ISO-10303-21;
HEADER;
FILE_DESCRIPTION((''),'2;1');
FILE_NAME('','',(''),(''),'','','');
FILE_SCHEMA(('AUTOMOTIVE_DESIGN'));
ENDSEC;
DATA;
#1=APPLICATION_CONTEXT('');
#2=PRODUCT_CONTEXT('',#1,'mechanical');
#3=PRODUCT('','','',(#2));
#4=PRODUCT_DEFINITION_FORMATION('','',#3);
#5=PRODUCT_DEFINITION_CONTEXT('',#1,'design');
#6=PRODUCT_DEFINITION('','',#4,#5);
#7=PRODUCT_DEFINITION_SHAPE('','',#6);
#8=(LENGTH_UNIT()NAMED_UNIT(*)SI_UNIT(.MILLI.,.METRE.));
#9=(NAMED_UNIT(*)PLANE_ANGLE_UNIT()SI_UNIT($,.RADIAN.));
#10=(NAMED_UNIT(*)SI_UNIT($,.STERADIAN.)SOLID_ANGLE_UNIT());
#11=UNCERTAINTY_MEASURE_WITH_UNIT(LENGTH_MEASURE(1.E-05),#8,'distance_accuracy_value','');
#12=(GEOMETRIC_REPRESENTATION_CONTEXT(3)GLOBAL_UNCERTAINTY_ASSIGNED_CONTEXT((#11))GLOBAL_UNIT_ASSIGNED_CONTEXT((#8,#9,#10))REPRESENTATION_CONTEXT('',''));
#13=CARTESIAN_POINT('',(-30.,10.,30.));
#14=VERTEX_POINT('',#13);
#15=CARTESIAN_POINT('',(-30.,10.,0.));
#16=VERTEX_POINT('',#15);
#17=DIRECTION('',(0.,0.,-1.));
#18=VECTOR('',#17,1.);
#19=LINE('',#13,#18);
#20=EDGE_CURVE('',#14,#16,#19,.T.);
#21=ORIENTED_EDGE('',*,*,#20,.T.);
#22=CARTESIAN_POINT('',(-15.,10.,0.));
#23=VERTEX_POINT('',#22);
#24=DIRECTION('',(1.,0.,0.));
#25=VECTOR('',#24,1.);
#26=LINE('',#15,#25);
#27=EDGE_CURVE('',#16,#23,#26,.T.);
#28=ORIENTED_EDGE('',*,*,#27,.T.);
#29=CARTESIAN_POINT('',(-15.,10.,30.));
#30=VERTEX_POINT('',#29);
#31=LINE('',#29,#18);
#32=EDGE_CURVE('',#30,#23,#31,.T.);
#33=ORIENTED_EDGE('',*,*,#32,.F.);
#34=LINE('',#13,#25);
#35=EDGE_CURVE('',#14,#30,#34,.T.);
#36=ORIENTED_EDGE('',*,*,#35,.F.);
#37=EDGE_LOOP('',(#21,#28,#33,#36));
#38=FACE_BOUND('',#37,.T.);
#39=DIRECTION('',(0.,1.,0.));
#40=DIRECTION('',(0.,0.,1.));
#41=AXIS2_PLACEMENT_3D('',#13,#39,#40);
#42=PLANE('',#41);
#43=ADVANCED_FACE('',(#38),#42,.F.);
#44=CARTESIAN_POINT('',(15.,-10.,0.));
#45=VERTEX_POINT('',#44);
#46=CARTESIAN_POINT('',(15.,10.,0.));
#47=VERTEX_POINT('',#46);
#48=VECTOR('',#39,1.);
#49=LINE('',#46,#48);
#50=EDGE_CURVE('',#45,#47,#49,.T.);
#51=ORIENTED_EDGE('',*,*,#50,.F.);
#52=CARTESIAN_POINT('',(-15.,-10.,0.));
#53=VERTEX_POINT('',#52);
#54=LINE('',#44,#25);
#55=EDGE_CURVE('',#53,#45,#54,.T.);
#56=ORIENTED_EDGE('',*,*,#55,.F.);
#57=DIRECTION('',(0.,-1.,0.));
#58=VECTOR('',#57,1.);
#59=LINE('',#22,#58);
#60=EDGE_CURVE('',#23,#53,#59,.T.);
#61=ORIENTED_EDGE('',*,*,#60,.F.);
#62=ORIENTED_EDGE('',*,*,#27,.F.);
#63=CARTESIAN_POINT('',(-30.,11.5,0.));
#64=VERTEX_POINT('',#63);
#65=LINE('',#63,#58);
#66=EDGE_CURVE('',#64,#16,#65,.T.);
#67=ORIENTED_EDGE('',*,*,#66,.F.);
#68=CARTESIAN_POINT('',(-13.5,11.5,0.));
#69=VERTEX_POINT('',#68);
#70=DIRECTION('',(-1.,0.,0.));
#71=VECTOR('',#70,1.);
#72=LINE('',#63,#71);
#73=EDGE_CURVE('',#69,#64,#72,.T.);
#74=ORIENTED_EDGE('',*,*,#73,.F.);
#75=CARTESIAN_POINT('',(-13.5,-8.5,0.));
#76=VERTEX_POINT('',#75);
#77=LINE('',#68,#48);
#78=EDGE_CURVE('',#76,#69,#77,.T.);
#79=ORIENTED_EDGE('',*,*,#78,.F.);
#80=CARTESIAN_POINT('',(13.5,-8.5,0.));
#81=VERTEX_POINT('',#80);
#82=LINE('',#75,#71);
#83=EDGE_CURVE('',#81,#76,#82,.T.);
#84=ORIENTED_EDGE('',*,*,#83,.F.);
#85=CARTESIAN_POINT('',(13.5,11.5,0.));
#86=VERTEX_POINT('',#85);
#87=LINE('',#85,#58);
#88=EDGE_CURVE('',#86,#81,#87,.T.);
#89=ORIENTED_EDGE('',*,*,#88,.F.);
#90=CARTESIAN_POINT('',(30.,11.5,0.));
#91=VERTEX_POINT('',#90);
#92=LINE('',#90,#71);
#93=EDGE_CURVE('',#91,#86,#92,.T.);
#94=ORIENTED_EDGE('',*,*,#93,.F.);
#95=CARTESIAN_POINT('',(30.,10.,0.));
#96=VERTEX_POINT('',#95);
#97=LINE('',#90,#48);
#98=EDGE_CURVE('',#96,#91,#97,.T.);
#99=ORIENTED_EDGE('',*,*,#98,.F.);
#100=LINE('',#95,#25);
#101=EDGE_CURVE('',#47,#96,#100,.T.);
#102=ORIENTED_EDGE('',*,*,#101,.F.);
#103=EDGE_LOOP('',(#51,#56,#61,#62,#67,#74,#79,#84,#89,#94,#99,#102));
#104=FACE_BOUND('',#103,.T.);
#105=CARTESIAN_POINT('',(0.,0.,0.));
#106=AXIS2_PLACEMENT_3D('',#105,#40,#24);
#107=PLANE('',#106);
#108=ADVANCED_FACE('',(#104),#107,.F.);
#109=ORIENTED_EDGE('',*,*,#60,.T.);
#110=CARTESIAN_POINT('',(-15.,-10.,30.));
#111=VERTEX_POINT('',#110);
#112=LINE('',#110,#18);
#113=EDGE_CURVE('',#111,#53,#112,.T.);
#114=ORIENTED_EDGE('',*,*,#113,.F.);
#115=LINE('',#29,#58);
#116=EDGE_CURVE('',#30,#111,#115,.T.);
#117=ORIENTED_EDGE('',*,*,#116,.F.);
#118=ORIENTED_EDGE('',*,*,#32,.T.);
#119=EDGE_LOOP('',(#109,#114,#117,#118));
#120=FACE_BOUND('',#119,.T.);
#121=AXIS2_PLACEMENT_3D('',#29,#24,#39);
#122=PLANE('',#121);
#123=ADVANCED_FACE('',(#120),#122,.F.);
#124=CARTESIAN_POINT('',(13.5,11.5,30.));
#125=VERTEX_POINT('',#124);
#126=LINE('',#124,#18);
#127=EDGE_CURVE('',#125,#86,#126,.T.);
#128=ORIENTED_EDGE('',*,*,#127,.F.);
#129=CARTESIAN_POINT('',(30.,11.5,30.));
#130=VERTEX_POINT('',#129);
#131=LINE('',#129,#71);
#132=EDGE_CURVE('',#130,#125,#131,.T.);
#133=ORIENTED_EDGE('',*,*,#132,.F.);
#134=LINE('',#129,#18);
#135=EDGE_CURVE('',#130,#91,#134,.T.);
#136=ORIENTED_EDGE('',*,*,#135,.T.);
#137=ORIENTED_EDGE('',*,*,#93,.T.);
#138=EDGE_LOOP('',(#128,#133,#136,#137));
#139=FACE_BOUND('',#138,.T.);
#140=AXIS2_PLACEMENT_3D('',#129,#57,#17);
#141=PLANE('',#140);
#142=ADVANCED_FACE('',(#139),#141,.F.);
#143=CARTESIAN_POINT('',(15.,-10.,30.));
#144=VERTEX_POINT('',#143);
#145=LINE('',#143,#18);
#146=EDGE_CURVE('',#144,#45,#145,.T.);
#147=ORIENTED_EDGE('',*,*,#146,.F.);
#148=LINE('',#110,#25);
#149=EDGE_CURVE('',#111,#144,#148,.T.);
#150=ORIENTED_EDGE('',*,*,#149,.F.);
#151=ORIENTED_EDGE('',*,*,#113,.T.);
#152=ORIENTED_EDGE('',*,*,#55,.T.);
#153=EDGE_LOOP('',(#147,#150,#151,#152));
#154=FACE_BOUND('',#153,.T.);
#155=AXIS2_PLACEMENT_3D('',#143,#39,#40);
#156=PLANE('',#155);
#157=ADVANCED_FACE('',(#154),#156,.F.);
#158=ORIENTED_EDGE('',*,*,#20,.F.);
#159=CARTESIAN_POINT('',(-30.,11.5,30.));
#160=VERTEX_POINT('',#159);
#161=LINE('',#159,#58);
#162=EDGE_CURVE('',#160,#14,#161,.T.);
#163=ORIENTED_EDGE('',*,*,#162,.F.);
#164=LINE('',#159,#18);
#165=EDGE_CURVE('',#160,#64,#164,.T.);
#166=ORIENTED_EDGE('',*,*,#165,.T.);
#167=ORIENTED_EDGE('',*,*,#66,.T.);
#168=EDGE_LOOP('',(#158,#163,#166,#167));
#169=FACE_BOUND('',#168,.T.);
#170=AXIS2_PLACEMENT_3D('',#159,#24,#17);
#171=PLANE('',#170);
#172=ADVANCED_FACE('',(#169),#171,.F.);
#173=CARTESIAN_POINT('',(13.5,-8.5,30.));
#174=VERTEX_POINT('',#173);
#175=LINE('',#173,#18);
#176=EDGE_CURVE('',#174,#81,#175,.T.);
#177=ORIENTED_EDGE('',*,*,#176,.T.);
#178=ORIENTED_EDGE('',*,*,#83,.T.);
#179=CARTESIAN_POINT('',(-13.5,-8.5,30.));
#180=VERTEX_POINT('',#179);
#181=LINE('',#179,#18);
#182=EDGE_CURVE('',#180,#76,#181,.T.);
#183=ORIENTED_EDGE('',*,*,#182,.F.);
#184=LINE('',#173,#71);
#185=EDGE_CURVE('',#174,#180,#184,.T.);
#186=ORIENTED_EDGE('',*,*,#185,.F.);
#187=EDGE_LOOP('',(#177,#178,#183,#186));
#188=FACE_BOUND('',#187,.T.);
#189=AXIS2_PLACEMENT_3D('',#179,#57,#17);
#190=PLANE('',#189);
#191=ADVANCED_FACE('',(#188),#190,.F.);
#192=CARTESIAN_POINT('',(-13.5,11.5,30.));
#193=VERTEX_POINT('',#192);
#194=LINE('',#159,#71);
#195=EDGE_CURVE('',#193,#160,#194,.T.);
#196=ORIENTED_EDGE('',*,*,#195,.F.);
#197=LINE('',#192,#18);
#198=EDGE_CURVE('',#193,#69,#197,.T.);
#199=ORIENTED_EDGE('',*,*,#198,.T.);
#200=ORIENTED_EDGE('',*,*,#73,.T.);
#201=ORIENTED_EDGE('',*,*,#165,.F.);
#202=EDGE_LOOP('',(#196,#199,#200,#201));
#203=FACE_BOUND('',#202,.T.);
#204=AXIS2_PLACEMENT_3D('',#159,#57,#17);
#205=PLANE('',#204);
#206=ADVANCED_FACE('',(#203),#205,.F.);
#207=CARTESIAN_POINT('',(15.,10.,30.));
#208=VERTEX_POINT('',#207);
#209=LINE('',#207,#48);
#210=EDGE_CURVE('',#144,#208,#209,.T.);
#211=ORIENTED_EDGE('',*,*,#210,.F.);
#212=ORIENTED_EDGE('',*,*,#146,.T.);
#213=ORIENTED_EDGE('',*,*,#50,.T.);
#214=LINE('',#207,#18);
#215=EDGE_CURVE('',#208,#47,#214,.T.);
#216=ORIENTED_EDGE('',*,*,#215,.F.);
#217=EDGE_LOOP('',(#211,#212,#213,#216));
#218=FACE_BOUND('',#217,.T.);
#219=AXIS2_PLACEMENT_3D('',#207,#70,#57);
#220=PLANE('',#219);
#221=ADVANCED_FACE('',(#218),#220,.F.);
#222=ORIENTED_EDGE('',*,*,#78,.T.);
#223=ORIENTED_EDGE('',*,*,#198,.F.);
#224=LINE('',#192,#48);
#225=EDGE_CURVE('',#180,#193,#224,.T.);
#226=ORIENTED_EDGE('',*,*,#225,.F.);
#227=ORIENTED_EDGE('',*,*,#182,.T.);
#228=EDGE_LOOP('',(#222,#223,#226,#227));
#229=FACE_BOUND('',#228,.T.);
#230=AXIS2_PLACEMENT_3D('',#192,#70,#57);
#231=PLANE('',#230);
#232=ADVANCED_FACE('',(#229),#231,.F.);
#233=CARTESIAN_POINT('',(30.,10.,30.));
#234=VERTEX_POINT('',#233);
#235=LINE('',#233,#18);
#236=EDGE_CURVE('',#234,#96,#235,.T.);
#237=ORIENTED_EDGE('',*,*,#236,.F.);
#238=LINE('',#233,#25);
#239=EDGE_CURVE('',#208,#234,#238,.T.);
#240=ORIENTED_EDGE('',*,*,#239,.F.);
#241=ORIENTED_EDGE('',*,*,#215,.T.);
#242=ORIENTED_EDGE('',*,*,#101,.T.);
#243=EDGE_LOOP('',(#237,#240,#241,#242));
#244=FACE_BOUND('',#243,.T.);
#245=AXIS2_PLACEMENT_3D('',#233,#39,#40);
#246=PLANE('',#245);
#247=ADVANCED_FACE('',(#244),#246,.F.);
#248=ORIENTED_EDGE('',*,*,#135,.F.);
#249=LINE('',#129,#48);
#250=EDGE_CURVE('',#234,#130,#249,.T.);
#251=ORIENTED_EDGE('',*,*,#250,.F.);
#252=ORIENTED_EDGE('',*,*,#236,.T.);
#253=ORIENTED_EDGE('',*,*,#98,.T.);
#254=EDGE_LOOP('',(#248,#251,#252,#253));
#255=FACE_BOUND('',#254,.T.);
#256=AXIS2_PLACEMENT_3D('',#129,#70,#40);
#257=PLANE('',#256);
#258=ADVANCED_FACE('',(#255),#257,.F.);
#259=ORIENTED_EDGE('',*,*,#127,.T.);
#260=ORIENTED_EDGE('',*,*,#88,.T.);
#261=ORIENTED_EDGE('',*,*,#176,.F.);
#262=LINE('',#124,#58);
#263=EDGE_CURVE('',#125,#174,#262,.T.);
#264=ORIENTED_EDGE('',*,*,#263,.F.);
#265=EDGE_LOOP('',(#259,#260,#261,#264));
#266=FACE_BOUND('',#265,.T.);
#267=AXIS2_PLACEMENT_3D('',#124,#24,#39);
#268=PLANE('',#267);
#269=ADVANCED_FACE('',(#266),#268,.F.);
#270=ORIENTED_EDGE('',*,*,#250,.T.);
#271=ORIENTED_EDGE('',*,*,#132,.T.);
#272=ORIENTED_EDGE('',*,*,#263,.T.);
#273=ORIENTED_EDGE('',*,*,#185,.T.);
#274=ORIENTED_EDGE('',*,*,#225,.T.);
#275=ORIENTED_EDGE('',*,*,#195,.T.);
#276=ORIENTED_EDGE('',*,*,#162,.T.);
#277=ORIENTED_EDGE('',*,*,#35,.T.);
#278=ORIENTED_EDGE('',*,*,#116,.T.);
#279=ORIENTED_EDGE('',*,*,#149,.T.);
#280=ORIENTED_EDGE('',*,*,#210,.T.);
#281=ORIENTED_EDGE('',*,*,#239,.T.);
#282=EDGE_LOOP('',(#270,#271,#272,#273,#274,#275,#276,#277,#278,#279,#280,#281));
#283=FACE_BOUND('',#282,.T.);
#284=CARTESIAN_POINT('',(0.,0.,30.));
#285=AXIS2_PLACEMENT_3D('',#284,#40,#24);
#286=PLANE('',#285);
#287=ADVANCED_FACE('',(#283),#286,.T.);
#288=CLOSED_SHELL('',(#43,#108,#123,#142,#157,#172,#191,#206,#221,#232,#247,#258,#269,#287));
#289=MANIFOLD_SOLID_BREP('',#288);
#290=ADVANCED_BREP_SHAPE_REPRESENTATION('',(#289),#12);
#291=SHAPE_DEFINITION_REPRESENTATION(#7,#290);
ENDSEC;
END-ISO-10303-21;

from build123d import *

# Parameters (mm, degrees)
EXTRUDE_1_DEPTH = 30


with BuildPart() as part:
    # 草图1 → 凸台-拉伸1 (new body)
    with BuildSketch(Plane.XY):
        Polygon((-30, 10), (-15, 10), (-15, -10), (0, -10), (15, -10), (15, 10), (30, 10), (30, 11.5), (13.5, 11.5), (13.5, -8.5), (0, -8.5), (-13.5, -8.5), (-13.5, 11.5), (-30, 11.5), align=None)
    extrude(amount=EXTRUDE_1_DEPTH)


solid = part.part
